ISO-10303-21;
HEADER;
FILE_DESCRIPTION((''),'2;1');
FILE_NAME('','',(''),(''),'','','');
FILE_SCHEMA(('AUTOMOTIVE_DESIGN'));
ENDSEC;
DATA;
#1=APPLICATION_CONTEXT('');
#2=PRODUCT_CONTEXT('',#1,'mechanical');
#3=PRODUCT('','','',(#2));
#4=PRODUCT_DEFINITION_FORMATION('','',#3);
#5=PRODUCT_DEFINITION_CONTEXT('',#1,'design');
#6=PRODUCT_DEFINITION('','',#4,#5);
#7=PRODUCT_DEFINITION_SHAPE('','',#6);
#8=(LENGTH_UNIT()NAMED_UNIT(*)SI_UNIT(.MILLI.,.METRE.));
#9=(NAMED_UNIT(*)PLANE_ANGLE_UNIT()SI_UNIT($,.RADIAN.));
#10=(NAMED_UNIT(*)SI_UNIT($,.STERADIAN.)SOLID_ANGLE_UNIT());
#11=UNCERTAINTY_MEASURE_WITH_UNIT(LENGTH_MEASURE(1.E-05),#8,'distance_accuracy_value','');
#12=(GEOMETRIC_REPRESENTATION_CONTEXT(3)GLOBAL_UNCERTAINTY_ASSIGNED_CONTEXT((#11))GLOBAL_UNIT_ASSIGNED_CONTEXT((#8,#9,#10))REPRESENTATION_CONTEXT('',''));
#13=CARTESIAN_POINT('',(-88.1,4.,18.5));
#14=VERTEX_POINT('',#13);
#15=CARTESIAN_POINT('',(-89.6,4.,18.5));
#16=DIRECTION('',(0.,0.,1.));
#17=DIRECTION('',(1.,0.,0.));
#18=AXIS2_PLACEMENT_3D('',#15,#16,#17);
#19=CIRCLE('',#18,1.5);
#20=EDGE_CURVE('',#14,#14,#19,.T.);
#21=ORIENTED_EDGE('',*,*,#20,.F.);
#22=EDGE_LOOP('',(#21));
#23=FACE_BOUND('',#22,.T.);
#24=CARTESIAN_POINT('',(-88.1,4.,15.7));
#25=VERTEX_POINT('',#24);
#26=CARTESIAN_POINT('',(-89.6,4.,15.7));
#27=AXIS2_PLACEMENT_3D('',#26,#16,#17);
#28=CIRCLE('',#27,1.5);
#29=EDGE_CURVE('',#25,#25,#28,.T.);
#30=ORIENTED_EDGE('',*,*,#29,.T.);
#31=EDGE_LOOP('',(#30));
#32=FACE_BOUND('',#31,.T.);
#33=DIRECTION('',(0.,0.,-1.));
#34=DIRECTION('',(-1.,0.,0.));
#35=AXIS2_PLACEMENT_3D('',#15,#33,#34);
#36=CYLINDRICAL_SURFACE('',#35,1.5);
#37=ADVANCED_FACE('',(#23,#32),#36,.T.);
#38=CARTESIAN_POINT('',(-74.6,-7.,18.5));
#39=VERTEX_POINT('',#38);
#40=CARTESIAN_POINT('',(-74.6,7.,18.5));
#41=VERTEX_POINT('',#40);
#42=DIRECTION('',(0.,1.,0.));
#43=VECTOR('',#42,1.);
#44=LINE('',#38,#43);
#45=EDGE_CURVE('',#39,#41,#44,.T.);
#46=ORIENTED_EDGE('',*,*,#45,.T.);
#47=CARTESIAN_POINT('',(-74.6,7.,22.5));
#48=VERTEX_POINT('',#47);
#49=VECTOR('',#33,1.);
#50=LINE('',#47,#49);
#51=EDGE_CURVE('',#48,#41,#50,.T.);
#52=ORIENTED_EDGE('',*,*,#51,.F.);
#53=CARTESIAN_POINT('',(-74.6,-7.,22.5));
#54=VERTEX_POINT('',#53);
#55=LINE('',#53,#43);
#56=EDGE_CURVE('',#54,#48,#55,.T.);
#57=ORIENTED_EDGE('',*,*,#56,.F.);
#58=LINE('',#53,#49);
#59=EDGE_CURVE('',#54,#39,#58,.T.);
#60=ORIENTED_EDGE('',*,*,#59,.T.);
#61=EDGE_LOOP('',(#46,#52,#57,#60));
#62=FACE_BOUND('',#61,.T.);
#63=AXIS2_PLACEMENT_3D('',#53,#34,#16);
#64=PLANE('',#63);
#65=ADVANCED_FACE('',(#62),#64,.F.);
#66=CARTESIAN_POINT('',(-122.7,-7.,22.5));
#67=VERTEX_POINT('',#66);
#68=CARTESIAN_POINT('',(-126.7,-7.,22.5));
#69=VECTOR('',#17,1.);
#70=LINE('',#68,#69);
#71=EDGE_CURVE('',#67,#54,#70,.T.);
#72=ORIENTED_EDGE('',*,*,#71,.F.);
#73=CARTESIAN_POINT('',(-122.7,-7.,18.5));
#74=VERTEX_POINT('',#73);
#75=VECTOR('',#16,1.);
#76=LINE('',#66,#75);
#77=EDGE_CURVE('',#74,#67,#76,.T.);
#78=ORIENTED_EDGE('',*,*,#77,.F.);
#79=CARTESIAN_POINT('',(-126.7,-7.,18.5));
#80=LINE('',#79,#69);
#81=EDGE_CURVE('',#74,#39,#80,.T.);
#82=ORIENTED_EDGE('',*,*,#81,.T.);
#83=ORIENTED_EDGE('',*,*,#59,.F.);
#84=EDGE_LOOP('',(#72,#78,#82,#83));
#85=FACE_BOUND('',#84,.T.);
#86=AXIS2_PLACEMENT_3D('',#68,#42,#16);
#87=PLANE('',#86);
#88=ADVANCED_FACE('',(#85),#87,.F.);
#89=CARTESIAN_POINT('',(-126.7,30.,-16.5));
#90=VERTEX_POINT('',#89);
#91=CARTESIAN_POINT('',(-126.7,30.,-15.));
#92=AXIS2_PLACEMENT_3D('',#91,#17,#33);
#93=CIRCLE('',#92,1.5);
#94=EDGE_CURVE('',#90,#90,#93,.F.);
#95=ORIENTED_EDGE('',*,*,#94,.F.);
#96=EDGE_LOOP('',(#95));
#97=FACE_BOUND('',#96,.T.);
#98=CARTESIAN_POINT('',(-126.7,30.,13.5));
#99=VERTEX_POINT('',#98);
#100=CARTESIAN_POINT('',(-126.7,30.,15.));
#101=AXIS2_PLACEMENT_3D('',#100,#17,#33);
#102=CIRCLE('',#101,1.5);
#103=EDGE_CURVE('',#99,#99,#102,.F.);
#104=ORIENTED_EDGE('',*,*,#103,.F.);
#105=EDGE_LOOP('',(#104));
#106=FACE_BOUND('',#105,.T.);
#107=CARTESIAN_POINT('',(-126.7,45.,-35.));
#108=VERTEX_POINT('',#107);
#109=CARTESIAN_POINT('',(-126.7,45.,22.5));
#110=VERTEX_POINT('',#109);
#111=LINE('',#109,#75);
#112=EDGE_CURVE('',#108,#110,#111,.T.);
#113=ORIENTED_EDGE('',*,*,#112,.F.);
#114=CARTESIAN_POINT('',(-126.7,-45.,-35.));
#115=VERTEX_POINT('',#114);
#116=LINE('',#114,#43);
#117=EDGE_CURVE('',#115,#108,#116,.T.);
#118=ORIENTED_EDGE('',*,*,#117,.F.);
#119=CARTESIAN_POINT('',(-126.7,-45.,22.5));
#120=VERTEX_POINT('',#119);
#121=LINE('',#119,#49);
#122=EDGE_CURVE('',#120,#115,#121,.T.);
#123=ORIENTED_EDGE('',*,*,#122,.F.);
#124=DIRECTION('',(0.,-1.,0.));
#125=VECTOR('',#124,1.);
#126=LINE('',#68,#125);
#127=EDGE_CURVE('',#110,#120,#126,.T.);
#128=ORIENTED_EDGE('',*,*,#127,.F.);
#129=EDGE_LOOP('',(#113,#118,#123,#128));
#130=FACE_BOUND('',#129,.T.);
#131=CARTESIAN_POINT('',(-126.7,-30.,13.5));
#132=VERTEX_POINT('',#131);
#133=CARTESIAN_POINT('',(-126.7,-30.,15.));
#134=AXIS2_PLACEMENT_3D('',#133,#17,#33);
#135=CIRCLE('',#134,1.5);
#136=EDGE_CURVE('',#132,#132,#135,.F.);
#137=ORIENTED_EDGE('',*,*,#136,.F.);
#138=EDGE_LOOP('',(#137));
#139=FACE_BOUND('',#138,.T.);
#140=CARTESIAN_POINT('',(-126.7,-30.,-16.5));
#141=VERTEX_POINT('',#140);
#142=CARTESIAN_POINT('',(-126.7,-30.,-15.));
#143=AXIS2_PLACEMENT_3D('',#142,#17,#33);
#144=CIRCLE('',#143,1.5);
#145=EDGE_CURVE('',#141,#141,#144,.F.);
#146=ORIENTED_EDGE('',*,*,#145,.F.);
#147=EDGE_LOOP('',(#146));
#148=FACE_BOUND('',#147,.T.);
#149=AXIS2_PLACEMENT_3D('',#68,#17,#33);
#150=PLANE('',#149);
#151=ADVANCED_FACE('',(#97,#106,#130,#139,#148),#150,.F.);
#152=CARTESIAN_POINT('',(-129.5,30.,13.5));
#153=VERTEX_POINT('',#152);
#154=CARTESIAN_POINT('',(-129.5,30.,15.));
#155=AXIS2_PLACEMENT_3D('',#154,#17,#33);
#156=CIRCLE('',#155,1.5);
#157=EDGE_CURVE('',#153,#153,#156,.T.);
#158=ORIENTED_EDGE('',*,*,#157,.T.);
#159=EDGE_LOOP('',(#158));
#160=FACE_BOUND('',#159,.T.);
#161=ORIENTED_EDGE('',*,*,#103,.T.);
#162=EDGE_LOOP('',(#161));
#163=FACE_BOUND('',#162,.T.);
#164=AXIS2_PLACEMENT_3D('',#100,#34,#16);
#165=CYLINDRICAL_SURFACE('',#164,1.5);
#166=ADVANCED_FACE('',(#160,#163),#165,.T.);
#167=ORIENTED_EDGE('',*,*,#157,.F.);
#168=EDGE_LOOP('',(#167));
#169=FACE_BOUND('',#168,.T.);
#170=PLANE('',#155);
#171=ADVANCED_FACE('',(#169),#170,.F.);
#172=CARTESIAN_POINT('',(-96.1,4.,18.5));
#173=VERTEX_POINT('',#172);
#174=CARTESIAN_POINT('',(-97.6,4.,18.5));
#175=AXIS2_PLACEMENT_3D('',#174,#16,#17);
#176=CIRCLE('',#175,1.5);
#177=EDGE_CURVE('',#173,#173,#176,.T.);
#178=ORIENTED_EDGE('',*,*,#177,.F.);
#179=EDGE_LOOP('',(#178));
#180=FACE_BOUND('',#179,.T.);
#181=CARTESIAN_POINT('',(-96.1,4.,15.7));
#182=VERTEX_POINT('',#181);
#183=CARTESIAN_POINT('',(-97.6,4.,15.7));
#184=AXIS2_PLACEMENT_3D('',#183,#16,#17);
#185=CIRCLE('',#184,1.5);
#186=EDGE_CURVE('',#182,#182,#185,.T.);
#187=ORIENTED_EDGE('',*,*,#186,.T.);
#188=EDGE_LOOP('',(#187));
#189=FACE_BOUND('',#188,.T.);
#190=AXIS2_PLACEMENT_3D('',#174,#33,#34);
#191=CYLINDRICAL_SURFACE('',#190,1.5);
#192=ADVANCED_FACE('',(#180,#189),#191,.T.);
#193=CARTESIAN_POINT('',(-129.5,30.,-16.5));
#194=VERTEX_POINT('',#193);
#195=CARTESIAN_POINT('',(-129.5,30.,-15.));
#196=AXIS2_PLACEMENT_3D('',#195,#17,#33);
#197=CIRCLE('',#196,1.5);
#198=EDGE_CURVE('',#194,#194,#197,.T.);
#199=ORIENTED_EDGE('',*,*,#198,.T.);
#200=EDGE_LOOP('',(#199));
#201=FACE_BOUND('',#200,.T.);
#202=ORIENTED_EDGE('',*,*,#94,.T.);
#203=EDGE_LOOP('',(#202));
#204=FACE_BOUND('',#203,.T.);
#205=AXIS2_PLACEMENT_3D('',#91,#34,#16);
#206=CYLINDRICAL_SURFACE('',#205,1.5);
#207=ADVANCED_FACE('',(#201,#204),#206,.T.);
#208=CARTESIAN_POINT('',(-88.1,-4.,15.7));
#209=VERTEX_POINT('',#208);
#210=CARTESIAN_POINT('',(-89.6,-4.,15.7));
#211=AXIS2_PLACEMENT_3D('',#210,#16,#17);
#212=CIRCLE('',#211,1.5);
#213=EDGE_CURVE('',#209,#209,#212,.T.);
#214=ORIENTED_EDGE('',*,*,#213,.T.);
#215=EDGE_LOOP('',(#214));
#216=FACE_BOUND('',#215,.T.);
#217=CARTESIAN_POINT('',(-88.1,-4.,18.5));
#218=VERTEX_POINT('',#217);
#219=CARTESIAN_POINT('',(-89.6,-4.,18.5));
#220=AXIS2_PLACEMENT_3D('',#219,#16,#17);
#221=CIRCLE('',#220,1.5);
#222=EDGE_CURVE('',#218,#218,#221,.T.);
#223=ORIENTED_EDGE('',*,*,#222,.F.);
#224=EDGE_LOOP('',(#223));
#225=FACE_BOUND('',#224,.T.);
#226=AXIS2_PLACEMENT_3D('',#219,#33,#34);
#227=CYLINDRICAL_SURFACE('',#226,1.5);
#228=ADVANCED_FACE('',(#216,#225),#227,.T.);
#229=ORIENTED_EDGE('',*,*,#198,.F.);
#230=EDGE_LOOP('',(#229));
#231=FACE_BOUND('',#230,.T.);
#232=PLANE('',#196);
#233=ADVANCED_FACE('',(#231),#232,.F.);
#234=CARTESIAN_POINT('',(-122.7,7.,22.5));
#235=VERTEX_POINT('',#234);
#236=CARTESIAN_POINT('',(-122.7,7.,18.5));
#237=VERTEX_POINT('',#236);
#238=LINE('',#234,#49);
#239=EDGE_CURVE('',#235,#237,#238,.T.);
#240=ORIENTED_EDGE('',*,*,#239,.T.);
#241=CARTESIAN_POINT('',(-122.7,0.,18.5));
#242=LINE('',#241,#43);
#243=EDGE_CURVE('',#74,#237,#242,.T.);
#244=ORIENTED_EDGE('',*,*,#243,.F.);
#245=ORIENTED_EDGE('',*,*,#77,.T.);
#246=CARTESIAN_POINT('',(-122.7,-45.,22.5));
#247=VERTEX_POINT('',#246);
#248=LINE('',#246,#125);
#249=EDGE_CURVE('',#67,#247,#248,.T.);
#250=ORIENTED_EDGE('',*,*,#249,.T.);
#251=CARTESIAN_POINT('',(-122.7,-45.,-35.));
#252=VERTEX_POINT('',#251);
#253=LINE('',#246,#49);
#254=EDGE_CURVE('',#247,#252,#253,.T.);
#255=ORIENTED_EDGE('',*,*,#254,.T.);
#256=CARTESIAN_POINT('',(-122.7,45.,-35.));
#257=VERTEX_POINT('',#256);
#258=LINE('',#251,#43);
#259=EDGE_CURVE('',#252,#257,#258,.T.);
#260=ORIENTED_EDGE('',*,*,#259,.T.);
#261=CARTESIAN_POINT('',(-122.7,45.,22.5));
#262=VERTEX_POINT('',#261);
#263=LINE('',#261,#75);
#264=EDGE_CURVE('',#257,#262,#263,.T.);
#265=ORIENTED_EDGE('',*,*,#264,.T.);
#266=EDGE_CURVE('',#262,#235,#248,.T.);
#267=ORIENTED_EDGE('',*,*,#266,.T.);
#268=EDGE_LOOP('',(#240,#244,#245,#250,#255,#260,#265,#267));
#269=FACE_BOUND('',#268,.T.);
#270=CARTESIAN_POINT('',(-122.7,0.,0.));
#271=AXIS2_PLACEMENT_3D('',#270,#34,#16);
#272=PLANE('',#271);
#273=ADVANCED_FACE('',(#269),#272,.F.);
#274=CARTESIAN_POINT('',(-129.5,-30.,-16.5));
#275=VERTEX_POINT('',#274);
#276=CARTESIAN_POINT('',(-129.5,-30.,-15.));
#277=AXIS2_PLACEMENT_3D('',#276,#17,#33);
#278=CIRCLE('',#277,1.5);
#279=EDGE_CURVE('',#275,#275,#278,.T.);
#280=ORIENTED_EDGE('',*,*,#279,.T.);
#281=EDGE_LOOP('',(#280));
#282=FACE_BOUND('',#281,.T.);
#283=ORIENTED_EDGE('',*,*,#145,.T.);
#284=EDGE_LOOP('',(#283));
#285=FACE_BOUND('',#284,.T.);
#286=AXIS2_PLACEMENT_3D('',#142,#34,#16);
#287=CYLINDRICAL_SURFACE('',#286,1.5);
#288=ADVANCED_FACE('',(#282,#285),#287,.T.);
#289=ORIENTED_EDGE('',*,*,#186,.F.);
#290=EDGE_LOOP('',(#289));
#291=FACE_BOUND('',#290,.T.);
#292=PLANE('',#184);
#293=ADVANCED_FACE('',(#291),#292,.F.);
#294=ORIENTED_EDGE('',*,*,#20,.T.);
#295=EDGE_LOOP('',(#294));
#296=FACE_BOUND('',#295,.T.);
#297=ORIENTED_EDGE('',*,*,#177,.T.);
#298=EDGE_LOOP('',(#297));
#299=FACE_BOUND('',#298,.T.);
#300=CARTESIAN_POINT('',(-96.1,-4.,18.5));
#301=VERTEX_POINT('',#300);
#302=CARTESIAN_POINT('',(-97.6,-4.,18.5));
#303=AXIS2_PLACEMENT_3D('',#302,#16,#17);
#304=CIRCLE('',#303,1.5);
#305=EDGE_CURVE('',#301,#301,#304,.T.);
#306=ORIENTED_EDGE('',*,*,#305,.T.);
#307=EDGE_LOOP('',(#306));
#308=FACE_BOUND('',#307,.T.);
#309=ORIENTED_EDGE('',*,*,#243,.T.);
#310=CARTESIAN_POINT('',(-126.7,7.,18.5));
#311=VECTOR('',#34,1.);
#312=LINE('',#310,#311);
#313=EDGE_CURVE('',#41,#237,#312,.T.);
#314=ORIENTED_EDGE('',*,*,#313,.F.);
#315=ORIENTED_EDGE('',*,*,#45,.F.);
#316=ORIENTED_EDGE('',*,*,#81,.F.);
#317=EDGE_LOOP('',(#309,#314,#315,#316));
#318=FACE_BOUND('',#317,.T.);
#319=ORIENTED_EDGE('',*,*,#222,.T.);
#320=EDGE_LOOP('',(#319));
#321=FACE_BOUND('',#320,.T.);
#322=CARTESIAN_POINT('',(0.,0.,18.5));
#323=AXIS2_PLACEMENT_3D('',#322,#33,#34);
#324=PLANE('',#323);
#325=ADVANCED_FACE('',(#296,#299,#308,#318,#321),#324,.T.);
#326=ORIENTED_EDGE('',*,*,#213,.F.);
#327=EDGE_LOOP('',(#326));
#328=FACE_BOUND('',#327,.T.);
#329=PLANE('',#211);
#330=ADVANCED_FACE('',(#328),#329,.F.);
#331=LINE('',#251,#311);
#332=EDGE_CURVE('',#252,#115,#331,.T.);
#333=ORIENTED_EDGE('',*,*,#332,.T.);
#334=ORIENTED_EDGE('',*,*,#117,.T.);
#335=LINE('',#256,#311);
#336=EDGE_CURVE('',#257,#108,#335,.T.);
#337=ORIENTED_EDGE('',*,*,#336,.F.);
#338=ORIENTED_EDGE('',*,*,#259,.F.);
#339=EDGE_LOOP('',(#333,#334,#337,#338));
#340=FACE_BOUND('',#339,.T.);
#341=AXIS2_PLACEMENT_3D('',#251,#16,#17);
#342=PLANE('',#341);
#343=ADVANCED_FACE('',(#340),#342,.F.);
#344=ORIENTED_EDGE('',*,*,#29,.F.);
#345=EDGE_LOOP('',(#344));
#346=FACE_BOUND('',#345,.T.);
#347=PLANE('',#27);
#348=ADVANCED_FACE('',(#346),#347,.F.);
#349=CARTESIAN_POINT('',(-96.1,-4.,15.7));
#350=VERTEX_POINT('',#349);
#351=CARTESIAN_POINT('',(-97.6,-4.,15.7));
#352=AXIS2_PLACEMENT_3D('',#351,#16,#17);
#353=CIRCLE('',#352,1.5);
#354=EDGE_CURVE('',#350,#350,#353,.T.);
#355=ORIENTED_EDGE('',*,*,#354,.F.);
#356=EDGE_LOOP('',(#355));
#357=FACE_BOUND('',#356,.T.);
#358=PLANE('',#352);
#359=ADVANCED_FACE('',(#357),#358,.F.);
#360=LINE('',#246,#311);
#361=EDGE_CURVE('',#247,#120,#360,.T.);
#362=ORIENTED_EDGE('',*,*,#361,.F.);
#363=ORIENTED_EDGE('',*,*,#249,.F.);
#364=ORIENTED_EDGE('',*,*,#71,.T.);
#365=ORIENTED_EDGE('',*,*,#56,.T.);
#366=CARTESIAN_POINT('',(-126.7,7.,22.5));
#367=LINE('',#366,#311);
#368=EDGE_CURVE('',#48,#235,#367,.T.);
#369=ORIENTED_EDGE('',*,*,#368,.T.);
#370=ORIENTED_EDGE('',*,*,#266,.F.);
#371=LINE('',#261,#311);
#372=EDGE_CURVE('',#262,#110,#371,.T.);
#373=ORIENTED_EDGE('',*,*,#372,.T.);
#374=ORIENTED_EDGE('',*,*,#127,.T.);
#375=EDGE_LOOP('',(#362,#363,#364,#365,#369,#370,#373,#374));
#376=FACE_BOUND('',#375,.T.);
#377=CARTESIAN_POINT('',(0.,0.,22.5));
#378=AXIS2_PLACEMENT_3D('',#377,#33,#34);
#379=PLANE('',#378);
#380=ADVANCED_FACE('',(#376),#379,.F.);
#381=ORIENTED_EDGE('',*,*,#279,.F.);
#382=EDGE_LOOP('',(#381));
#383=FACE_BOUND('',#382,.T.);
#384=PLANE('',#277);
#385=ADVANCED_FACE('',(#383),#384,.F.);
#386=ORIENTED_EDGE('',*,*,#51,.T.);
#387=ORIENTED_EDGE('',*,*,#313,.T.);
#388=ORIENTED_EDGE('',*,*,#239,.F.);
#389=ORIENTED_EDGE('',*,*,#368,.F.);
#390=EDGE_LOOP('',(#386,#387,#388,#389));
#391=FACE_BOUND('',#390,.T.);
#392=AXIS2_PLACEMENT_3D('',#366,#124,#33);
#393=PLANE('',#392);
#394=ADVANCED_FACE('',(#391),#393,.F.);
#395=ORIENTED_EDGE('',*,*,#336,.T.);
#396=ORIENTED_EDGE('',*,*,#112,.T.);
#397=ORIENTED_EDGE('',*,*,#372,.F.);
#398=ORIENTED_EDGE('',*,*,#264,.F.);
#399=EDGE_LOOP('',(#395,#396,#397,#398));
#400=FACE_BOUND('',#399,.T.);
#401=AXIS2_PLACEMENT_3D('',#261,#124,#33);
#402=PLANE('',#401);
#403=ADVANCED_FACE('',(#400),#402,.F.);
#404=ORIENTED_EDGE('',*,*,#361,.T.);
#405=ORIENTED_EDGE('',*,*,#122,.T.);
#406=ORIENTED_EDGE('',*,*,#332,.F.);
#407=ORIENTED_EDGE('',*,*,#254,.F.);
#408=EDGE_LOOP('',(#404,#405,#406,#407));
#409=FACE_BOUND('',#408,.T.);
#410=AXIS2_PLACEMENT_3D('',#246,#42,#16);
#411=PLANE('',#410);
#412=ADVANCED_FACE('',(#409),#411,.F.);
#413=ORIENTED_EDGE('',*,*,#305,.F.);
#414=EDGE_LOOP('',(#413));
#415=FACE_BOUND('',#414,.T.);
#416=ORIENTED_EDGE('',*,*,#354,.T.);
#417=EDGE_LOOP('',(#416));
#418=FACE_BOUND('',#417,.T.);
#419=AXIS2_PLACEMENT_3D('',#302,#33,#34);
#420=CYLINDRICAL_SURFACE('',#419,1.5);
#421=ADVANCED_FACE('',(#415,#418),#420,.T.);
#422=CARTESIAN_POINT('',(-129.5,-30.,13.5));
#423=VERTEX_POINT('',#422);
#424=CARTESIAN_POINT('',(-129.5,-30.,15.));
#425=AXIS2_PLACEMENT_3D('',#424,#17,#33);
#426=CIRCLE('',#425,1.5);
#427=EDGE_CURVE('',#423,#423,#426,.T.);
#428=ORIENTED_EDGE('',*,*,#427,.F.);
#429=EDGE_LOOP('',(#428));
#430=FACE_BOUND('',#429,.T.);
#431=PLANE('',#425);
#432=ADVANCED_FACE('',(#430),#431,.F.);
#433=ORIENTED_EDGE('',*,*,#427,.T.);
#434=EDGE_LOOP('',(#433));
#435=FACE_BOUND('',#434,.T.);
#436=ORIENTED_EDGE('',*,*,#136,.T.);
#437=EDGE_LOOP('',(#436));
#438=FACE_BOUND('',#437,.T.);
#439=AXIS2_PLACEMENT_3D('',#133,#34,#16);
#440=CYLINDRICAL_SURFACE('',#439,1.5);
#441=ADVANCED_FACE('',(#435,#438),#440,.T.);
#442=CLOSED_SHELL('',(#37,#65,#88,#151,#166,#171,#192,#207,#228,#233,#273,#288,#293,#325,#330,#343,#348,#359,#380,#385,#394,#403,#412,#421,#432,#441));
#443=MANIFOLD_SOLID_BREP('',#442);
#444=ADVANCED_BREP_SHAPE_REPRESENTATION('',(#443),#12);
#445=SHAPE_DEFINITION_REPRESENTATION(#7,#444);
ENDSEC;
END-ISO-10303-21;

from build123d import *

# Parameters (mm, degrees)
SKETCH1_W           = 52.1
SKETCH1_H           = 14
BOSS_EXTRUDE1_DEPTH = 4
SKETCH2_W           = 57.5
SKETCH2_H           = 90
BOSS_EXTRUDE2_DEPTH = 4
SKETCH3_R           = 1.5
BOSS_EXTRUDE3_DEPTH = 2.8
SKETCH4_R           = 1.5
BOSS_EXTRUDE4_DEPTH = 2.8


with BuildPart() as part:
    # Sketch1 → Boss-Extrude1 (new body)
    with BuildSketch(Plane.XY.offset(18.5)):
        with Locations((-100.65, 0)):
            Rectangle(SKETCH1_W, SKETCH1_H)
    extrude(amount=BOSS_EXTRUDE1_DEPTH)

    # Sketch2 → Boss-Extrude2 (add)
    with BuildSketch(Plane(origin=(-126.7, 0, 0), x_dir=(0, 0, -1), z_dir=(1, 0, 0))):
        with Locations((6.25, 0)):
            Rectangle(SKETCH2_W, SKETCH2_H)
    extrude(amount=BOSS_EXTRUDE2_DEPTH)

    # Sketch3 → Boss-Extrude3 (add)
    with BuildSketch(Plane.XY.offset(15.7)):
        with Locations((-89.6, 4)):
            Circle(SKETCH3_R)
        with Locations((-89.6, -4)):
            Circle(SKETCH3_R)
        with Locations((-97.6, 4)):
            Circle(SKETCH3_R)
        with Locations((-97.6, -4)):
            Circle(SKETCH3_R)
    extrude(amount=BOSS_EXTRUDE3_DEPTH)

    # Sketch4 → Boss-Extrude4 (add)
    with BuildSketch(Plane(origin=(-129.5, 0, 0), x_dir=(0, 0, -1), z_dir=(1, 0, 0))):
        with Locations((15, -30)):
            Circle(SKETCH4_R)
        with Locations((-15, -30)):
            Circle(SKETCH4_R)
        with Locations((15, 30)):
            Circle(SKETCH4_R)
        with Locations((-15, 30)):
            Circle(SKETCH4_R)
    extrude(amount=BOSS_EXTRUDE4_DEPTH)


solid = part.part
